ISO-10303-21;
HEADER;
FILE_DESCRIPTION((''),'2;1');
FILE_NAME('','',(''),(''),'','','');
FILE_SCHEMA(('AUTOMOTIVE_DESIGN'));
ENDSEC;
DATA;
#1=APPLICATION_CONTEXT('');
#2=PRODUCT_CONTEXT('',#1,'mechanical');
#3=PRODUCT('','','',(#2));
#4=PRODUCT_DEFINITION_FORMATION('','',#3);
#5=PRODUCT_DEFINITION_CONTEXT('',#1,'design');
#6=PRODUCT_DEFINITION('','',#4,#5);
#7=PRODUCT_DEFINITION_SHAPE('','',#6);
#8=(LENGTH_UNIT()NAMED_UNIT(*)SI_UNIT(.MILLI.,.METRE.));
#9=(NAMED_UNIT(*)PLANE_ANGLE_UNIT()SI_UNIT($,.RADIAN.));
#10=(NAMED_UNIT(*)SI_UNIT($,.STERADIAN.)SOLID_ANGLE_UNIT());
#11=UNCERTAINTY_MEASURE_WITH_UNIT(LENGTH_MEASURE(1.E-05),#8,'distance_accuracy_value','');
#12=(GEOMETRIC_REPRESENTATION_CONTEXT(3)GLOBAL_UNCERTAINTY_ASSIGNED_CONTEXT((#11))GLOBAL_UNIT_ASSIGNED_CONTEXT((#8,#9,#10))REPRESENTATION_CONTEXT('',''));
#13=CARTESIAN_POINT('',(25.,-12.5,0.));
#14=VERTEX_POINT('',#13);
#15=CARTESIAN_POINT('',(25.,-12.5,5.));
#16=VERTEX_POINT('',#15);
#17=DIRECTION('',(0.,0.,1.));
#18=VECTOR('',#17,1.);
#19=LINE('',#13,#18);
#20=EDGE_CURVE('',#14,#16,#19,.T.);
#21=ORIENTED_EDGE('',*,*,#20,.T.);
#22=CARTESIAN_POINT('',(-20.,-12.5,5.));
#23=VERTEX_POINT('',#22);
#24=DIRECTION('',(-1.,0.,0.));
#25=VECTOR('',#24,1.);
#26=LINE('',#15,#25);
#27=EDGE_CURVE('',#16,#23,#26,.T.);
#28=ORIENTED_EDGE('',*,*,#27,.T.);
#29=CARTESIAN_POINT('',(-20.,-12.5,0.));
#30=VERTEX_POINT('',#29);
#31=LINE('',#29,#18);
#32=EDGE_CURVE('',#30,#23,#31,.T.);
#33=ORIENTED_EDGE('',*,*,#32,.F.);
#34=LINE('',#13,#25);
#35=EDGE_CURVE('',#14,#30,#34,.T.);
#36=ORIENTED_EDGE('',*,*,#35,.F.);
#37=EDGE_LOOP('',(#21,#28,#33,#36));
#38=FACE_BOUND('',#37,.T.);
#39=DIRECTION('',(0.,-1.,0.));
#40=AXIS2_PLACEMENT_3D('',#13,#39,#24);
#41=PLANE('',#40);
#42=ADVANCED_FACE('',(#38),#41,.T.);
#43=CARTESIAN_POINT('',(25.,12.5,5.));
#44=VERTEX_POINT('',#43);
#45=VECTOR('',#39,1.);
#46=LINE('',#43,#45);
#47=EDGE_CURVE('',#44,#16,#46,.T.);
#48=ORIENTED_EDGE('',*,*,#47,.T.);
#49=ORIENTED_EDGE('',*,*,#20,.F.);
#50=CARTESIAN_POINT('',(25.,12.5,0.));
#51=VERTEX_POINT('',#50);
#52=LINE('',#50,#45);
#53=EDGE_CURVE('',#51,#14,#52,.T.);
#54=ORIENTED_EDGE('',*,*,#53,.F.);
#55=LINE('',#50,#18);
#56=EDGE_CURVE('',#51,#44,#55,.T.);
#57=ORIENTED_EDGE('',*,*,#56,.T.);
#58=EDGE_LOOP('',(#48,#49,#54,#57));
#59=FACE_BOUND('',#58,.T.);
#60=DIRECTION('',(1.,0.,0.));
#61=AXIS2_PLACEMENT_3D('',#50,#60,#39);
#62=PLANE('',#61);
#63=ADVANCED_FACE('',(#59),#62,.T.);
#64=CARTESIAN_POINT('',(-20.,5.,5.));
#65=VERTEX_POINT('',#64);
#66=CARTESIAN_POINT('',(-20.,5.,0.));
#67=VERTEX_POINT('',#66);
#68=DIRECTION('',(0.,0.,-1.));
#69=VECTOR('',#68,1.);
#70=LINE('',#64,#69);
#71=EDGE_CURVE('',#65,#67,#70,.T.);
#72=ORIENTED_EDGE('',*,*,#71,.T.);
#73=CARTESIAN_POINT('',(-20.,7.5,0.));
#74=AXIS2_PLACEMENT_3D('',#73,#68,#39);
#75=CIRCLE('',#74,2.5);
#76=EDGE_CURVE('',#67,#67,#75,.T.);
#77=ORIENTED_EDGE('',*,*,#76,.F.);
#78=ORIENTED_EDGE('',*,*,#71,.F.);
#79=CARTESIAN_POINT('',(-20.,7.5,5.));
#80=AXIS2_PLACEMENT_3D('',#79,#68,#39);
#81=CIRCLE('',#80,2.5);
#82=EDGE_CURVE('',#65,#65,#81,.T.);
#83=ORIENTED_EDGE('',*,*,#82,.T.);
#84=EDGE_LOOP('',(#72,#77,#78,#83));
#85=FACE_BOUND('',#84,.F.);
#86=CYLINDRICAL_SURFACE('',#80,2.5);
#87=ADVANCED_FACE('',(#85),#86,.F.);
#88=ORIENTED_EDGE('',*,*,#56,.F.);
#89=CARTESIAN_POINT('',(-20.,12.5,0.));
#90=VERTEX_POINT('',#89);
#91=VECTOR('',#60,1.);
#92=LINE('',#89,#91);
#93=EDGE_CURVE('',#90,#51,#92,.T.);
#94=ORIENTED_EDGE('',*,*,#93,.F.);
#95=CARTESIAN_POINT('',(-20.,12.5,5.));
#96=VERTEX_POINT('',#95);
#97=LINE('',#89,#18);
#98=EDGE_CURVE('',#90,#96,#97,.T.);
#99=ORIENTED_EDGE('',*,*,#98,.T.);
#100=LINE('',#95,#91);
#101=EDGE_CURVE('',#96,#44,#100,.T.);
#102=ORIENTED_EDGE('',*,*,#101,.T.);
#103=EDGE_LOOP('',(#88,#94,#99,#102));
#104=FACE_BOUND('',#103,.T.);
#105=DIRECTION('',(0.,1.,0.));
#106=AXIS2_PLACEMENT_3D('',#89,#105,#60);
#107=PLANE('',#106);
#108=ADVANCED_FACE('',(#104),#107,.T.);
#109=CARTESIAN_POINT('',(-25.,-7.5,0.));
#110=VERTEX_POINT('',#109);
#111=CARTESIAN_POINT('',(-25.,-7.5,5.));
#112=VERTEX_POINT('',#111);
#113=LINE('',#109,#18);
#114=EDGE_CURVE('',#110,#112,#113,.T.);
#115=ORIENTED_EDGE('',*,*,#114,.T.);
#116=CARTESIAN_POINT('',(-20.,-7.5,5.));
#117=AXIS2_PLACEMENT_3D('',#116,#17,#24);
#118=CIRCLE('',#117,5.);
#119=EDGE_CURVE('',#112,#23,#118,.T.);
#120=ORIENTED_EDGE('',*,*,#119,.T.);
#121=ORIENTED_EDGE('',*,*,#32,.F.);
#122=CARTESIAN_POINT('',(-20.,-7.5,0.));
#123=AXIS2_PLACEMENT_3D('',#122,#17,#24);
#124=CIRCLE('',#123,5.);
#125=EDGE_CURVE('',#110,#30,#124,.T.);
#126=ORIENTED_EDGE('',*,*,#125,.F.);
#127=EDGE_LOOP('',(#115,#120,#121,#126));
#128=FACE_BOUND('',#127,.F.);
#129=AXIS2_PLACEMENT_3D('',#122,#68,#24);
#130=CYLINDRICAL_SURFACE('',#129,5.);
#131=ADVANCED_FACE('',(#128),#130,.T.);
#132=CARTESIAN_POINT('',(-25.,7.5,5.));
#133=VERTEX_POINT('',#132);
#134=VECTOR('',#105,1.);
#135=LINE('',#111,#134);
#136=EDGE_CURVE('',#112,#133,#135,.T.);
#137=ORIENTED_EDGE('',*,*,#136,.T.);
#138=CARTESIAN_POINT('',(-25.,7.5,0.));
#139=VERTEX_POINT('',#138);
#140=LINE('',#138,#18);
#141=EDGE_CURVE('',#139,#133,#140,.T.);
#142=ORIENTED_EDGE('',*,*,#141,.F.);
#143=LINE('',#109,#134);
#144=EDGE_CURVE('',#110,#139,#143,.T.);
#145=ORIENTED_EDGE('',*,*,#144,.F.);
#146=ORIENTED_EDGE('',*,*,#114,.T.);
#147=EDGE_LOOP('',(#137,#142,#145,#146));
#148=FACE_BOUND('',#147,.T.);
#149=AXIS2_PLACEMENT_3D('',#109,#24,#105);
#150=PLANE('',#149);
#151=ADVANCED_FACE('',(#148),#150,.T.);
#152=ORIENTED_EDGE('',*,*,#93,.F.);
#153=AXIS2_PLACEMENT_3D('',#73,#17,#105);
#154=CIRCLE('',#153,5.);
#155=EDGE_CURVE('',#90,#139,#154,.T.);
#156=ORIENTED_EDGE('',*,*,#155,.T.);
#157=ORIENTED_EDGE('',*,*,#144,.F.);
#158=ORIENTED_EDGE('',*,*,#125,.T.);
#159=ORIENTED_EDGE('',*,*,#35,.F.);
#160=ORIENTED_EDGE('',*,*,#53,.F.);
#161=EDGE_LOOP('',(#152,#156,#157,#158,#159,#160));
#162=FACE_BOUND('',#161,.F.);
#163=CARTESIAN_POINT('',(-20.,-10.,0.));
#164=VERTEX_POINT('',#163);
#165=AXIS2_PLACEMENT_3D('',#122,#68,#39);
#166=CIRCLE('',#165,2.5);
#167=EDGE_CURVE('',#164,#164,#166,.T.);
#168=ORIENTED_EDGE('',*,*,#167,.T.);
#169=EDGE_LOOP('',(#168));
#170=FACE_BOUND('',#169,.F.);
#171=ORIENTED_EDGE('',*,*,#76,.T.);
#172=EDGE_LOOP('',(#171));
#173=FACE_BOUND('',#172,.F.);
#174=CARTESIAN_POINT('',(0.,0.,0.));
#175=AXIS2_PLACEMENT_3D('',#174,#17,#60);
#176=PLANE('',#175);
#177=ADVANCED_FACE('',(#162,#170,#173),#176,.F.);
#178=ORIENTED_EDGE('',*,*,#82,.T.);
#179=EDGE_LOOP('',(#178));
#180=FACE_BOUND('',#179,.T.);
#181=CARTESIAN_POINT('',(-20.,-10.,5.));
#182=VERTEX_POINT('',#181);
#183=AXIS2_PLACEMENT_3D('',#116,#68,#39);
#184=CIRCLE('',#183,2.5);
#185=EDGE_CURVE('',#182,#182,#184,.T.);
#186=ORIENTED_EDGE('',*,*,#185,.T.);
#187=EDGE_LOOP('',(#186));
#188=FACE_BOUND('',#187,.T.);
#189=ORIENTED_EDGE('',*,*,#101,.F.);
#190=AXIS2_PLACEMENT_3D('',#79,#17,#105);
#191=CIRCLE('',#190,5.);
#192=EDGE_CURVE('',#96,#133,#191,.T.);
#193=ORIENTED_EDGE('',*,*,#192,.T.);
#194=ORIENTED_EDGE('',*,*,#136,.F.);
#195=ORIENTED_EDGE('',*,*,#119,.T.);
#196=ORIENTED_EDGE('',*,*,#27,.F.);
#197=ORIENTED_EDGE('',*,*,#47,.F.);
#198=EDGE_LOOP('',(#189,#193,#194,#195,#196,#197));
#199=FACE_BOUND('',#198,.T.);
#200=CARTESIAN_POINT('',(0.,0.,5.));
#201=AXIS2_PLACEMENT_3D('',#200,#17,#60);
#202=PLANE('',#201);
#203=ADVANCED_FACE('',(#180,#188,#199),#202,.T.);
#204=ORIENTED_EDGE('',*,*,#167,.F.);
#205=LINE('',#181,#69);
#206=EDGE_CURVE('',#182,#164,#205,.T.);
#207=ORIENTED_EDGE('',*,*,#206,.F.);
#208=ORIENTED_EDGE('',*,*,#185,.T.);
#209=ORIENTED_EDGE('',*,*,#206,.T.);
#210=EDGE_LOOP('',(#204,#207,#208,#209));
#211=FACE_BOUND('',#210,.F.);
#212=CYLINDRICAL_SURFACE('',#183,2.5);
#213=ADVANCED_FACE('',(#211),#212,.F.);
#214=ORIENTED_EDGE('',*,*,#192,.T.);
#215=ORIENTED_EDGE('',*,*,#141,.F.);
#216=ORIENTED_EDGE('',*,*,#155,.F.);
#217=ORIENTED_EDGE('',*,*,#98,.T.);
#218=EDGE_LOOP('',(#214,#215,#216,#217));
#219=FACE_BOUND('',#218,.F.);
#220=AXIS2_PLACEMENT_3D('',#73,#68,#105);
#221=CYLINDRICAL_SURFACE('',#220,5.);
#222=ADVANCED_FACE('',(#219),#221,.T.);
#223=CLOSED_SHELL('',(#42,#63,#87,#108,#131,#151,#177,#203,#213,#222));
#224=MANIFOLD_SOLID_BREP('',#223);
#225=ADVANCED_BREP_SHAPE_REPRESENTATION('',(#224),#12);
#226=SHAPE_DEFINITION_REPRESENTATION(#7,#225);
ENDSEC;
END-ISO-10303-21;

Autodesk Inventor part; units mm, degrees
ref_plane "YZ Plane" through (0, 0, 0) normal (1, 0, 0) x (0, 1, 0)
ref_plane "XZ Plane" through (0, 0, 0) normal (0, 1, 0) x (-1, 0, 0)
ref_plane "XY Plane" through (0, 0, 0) normal (0, 0, 1) x (1, 0, 0)
sketch "Sketch1" plane through (0, 0, 0) normal (0, 0, 1) x (1, 0, 0)
  line L0 (-20, 12.5) -> (25, 12.5)
  line L1 (25, 12.5) -> (25, -12.5)
  line L2 (25, -12.5) -> (-20, -12.5)
  line L3 (-25, -7.5) -> (-25, 7.5)
  arc A0 (-20, 12.5) -> (-25, 7.5) centre (-20, 7.5) ccw
  arc A1 (-25, -7.5) -> (-20, -12.5) centre (-20, -7.5) ccw
  point P0 (0, 0)
  point P1 (-25, 12.5)
  point P2 (-25, -12.5)
  dimension "d0" = 25
  dimension "d1" = 50
  dimension "d2" = 5
  dimension "d5" = 12.5
  dimension "d6" = 25
extrude "Extrusion1" add sketch "Sketch1" along normal blind 5
sketch "Sketch2" plane through (0, 0, 5) normal (0, 0, 1) x (1, 0, 0)
  arc A0 (-20, 12.5) -> (-25, 7.5) centre (-20, 7.5) ccw projected
  arc A1 (-25, -7.5) -> (-20, -12.5) centre (-20, -7.5) ccw projected
  point P0 (0, 0)
hole "Hole1" at (-20, 7.5, 5) at (-20, -7.5, 5) direction (0, 0, -1) diameter 5 end through all
properties part number "DedoV2" material "MDF Medium Density Fiberboard"
